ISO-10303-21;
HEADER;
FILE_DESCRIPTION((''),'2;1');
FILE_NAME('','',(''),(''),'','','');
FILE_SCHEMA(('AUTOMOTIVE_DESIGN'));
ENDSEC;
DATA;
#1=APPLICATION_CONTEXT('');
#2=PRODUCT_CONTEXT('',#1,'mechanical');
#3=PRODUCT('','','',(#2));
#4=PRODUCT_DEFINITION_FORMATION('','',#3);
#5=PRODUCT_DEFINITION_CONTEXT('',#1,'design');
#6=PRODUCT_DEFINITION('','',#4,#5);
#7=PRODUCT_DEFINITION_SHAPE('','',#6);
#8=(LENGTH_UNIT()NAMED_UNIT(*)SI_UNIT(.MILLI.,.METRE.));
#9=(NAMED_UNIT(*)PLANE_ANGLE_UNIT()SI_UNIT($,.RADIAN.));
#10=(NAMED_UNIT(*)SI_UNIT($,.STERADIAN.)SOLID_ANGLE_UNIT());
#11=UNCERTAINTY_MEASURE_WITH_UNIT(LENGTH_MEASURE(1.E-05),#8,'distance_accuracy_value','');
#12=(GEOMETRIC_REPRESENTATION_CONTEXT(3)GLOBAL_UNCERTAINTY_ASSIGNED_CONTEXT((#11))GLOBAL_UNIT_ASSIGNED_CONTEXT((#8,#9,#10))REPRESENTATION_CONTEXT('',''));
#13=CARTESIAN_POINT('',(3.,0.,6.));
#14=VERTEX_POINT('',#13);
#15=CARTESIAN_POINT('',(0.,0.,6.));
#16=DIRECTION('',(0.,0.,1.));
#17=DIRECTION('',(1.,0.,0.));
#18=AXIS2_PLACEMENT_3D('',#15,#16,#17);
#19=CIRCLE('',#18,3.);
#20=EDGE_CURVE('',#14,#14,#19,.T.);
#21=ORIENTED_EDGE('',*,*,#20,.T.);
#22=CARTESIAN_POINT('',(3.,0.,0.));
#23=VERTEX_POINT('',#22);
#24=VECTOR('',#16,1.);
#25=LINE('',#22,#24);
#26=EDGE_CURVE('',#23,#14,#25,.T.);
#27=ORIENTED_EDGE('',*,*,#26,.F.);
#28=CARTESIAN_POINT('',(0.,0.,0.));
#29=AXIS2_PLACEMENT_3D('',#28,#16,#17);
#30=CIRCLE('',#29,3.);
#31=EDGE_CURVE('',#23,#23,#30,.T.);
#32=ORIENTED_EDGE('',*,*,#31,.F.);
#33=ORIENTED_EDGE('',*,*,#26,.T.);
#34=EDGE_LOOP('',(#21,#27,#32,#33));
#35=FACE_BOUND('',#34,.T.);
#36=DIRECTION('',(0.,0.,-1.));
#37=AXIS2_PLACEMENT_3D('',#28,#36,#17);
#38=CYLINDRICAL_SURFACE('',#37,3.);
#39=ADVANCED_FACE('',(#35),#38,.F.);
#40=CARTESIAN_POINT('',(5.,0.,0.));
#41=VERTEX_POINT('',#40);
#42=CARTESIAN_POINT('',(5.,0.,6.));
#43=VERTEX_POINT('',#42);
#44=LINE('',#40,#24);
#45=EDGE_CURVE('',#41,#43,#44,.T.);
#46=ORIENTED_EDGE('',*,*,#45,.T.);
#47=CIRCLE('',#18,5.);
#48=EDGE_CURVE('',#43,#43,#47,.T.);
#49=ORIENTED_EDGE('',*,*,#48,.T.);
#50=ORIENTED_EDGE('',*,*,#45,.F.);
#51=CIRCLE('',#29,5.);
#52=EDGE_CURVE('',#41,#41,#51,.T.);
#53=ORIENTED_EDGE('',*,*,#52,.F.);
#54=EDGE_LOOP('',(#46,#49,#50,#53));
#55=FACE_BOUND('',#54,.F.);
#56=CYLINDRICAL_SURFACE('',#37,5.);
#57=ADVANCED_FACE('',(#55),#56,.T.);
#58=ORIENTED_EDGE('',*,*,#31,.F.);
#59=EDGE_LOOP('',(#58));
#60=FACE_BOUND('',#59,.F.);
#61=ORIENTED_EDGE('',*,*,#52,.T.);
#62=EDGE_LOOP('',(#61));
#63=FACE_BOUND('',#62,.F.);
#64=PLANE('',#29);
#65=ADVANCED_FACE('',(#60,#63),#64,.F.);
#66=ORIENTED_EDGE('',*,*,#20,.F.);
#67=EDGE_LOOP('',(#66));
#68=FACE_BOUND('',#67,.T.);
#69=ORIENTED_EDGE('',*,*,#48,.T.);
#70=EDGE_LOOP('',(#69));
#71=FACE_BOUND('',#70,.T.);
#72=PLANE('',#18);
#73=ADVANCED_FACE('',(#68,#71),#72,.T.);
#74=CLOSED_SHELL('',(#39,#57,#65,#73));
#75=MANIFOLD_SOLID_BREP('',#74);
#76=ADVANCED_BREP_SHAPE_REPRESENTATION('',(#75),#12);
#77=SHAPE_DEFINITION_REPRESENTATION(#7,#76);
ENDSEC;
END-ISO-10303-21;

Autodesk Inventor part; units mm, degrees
ref_plane "YZ Plane" through (0, 0, 0) normal (1, 0, 0) x (0, 1, 0)
ref_plane "XZ Plane" through (0, 0, 0) normal (0, 1, 0) x (-1, 0, 0)
ref_plane "XY Plane" through (0, 0, 0) normal (0, 0, 1) x (1, 0, 0)
sketch "Szkic1" plane through (0, 0, 0) normal (0, 0, 1) x (1, 0, 0)
  circle A0 centre (0, 0) radius 3
  circle A1 centre (0, 0) radius 5
  dimension "d0" = 6
  dimension "d1" = 10
extrude "Wyciągnięcie proste1" add sketch "Szkic1" along normal blind 6
properties part number "tuleja_M6_M10_6"
